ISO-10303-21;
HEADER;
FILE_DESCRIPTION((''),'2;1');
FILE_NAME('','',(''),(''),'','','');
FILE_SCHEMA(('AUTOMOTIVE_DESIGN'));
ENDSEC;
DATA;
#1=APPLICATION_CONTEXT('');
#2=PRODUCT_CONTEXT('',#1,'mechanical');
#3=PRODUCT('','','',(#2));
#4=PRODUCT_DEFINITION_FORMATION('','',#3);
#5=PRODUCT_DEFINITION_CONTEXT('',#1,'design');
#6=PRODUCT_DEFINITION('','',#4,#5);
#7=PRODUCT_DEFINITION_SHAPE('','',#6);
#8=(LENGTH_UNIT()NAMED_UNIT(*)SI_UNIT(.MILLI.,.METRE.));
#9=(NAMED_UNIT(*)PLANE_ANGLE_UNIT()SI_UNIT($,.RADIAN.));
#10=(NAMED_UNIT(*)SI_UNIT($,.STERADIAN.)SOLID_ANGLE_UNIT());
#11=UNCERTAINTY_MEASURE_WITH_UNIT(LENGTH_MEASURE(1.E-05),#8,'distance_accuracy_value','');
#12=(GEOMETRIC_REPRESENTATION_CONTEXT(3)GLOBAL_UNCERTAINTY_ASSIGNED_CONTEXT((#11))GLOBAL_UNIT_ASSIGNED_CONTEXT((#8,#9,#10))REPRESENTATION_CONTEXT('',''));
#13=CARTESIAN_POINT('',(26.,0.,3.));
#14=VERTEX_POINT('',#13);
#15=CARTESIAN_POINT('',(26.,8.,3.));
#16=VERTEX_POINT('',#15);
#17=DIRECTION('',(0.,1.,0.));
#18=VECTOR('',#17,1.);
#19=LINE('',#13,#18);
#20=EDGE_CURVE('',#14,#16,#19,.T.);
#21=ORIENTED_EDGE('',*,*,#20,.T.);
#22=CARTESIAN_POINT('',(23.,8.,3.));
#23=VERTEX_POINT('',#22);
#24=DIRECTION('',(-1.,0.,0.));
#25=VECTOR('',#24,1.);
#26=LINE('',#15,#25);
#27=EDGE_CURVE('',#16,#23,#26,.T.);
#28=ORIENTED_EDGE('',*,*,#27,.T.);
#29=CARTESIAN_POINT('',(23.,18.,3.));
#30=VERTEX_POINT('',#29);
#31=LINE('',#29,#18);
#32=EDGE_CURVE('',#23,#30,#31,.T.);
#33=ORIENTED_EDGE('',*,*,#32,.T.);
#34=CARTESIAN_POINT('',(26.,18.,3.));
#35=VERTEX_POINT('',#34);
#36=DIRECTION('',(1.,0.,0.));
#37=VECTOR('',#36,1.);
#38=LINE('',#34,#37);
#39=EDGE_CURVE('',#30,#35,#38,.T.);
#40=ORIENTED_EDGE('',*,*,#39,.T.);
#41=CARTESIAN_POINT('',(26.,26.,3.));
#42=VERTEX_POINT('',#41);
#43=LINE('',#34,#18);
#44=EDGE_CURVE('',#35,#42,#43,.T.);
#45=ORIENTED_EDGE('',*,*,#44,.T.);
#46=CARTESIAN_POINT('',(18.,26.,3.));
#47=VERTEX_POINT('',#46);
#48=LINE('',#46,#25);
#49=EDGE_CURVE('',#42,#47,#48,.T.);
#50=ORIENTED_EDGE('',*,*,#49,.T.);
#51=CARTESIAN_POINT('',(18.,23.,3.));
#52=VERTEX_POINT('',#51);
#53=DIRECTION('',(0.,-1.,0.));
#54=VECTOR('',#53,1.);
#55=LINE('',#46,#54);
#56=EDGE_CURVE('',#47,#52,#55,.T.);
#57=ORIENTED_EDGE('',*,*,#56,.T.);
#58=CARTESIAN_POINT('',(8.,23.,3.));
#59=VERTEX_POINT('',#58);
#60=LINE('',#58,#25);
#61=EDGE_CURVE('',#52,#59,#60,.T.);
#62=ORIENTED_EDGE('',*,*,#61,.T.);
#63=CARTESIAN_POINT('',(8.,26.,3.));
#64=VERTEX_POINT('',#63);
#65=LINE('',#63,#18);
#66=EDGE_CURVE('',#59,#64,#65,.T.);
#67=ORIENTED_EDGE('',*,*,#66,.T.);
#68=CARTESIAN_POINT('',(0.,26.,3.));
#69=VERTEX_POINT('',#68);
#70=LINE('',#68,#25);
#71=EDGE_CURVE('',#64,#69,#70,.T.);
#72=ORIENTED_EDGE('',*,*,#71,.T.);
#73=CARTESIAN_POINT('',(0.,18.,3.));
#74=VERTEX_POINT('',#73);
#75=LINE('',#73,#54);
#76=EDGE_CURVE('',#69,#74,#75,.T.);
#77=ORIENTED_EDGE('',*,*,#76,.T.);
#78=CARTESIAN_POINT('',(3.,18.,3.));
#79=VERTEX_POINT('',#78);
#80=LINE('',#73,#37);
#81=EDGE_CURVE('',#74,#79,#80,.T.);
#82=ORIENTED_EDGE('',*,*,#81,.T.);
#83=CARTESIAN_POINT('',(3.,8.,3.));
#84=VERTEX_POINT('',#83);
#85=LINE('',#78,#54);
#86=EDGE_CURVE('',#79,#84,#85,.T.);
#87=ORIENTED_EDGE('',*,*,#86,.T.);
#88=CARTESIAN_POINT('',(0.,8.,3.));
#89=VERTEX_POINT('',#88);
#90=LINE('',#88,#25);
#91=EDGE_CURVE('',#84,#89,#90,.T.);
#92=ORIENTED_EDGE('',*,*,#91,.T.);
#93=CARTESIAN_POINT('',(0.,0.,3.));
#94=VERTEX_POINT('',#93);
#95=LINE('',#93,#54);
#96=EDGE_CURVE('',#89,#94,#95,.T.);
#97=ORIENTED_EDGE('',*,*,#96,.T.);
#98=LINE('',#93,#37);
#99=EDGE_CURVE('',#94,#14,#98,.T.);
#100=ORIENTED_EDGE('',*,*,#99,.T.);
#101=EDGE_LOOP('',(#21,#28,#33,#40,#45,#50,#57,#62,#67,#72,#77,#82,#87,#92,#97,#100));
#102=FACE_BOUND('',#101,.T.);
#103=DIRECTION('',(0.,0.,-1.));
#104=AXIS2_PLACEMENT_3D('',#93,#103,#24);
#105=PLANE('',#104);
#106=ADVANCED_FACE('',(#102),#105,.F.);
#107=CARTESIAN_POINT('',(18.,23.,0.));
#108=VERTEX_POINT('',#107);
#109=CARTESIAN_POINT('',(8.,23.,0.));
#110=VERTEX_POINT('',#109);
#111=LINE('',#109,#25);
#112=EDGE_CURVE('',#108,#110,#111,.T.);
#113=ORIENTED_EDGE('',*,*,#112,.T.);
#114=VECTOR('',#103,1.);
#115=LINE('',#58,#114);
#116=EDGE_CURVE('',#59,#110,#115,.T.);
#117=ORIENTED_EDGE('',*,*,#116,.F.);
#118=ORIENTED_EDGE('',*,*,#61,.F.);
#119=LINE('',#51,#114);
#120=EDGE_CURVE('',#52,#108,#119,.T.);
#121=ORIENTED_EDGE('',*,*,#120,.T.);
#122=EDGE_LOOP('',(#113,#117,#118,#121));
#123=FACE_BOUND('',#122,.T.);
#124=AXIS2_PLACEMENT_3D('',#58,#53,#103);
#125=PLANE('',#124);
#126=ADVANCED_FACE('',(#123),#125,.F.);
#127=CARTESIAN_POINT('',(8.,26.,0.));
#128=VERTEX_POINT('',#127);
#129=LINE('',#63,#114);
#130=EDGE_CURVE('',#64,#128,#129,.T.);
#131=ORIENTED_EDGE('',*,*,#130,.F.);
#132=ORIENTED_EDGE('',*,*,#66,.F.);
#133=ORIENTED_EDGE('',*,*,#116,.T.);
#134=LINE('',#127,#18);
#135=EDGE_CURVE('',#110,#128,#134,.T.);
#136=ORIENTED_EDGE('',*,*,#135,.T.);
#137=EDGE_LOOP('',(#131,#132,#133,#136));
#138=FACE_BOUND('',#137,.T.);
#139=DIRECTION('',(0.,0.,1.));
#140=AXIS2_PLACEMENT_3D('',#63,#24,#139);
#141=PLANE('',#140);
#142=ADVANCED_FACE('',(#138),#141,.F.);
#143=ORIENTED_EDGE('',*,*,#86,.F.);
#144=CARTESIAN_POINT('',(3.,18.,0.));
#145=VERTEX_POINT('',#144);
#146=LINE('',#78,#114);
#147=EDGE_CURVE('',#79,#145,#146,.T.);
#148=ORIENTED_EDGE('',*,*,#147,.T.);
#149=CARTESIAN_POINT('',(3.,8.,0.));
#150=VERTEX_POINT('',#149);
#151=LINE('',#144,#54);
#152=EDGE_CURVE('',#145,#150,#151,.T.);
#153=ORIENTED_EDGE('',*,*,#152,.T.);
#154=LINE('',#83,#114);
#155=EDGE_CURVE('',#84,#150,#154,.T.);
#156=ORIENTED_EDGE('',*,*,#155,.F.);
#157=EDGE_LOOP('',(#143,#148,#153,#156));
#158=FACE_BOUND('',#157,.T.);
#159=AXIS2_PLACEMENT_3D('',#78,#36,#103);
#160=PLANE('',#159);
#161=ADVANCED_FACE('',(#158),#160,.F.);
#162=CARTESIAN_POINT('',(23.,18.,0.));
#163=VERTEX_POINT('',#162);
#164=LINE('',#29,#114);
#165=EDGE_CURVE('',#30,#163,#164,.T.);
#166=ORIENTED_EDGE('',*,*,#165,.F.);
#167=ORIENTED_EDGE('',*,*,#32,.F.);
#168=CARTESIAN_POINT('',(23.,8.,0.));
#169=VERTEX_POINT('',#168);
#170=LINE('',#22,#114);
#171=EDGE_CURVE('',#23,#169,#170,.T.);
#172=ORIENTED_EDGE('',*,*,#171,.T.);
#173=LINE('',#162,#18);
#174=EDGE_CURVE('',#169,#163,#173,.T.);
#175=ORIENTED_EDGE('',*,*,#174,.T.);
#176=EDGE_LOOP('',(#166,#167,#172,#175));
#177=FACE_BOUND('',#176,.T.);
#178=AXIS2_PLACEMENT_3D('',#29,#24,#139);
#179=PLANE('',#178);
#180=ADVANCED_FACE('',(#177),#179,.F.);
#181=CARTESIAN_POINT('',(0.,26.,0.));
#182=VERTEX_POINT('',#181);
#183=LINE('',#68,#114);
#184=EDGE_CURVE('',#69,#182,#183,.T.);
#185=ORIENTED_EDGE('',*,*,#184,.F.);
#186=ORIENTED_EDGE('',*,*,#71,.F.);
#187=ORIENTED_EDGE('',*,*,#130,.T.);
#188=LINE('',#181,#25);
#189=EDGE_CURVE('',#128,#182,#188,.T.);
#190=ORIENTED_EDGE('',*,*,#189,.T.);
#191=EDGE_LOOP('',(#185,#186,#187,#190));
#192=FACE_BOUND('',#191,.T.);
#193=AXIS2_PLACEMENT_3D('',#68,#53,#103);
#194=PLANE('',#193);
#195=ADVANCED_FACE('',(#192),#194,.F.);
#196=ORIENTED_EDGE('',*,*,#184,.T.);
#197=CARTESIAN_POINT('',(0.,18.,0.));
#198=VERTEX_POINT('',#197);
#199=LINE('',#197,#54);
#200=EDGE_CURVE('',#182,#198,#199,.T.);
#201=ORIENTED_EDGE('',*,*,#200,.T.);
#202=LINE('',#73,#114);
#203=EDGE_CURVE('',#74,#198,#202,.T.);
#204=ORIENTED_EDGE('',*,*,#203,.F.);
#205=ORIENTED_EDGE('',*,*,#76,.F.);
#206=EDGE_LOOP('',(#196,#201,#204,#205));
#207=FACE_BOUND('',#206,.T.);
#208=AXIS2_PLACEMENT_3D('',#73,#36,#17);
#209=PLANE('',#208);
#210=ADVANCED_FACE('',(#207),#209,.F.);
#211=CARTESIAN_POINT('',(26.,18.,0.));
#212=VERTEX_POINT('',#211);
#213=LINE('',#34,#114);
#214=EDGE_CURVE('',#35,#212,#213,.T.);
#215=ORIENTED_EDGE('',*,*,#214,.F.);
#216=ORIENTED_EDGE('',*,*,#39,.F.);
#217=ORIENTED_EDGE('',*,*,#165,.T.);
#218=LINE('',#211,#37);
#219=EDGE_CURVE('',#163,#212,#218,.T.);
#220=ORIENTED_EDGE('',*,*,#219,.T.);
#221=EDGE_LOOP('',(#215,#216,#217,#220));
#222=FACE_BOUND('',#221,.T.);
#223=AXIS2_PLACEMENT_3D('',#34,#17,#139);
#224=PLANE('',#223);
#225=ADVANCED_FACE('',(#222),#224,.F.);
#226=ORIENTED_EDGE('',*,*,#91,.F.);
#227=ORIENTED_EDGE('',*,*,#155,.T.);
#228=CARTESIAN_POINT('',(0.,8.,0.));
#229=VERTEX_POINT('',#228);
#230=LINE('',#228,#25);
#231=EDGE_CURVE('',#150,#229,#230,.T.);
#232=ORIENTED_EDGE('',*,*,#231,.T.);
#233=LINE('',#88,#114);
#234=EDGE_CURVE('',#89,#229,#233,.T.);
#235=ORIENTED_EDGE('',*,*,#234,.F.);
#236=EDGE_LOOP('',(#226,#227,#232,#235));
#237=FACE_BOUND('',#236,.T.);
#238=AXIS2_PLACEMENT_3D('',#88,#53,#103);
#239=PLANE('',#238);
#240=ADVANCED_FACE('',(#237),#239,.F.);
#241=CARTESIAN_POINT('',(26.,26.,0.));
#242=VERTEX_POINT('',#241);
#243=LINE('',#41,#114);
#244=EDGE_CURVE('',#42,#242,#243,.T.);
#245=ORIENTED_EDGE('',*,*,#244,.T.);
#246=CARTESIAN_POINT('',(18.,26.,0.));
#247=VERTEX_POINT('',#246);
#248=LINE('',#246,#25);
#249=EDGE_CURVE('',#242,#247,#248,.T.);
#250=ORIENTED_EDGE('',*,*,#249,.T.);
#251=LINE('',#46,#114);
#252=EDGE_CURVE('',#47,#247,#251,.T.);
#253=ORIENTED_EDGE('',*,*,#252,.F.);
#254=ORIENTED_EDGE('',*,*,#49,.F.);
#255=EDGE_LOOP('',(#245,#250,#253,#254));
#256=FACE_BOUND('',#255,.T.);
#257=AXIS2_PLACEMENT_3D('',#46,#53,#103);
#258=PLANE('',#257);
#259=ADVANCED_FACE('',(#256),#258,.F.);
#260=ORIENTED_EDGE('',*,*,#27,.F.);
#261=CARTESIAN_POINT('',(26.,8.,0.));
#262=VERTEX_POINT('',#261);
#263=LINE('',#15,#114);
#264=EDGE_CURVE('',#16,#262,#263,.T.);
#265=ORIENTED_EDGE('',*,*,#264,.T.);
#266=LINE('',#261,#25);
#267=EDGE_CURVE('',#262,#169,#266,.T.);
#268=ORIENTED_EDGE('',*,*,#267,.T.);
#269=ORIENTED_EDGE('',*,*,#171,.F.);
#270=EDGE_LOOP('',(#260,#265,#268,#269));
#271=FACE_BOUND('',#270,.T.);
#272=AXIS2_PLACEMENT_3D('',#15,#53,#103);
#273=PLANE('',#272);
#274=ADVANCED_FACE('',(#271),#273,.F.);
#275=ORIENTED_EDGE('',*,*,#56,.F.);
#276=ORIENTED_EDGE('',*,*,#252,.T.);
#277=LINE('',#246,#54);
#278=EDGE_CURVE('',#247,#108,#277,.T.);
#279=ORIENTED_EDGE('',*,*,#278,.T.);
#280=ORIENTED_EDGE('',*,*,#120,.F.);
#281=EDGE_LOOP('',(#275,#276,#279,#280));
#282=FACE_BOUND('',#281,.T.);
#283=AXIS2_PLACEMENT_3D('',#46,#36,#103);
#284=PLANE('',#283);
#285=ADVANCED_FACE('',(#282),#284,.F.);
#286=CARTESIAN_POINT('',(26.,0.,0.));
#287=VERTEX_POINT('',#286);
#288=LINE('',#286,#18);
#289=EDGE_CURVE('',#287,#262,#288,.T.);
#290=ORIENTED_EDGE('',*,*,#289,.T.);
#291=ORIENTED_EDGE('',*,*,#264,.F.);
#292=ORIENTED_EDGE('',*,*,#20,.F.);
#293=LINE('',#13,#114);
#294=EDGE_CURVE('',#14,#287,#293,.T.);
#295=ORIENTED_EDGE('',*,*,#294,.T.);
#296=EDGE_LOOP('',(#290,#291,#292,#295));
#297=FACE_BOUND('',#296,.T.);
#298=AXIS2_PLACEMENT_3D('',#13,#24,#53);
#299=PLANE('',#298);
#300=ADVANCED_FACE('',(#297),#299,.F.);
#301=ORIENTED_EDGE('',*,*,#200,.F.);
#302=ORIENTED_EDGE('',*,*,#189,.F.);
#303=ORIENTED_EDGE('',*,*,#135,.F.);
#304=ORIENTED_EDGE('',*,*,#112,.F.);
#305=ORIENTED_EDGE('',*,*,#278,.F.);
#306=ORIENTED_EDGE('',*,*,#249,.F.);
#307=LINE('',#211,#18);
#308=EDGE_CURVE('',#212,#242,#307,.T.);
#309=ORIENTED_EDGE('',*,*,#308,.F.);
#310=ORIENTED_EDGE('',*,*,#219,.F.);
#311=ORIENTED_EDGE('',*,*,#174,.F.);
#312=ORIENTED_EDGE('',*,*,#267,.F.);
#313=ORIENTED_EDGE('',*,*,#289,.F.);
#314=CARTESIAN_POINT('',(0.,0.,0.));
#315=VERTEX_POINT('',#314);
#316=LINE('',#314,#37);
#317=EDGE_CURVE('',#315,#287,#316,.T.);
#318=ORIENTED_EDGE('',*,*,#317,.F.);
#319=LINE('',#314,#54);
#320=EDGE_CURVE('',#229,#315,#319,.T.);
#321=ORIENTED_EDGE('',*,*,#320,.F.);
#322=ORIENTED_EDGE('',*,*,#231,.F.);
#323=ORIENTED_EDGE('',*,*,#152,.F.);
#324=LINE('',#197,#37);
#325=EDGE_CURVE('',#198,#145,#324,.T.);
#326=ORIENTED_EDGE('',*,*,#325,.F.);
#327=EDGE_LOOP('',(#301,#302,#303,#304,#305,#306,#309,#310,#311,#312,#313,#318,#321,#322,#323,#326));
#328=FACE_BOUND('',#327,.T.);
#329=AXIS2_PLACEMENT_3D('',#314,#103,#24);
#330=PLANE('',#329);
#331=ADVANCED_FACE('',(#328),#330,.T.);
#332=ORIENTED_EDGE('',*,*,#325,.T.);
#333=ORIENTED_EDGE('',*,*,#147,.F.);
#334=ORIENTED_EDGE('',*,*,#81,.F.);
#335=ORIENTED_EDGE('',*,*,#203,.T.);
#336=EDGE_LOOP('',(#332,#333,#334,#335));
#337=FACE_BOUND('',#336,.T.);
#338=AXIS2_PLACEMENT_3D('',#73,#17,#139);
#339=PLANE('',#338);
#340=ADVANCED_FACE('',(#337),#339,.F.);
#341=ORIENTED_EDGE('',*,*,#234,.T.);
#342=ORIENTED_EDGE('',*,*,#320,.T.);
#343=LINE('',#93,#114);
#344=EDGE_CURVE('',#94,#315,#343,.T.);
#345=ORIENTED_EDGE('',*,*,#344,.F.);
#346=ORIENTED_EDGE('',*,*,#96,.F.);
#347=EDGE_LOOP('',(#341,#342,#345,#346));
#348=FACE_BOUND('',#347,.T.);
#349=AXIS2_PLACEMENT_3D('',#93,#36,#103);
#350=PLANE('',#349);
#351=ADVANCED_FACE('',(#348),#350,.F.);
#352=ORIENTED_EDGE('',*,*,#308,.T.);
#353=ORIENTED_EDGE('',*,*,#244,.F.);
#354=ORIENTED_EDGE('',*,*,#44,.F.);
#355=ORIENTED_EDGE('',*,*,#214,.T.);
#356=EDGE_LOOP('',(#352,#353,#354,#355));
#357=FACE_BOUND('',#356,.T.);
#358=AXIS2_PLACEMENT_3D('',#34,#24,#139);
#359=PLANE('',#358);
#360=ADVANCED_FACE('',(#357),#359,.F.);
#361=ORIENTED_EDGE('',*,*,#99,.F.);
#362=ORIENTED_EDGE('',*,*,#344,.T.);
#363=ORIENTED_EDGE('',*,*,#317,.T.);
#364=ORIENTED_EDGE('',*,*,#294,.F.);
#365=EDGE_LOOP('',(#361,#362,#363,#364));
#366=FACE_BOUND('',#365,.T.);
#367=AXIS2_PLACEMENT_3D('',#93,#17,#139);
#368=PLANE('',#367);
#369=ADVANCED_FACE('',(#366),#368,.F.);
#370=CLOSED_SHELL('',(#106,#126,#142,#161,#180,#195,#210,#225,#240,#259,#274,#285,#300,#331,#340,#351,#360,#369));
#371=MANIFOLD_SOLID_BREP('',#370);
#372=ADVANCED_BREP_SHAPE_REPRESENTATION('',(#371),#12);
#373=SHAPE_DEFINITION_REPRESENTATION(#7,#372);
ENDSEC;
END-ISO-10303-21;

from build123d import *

# Parameters (mm, degrees)
BOSS_EXTRUDE1_DEPTH = 3


with BuildPart() as part:
    # Sketch1 → Boss-Extrude1 (new body)
    with BuildSketch(Plane.XY):
        Polygon((0, 18), (0, 26), (8, 26), (8, 23), (18, 23), (18, 26), (26, 26), (26, 18), (23, 18), (23, 8), (26, 8), (26, 0), (0, 0), (0, 8), (3, 8), (3, 18), align=None)
    extrude(amount=BOSS_EXTRUDE1_DEPTH)


solid = part.part
